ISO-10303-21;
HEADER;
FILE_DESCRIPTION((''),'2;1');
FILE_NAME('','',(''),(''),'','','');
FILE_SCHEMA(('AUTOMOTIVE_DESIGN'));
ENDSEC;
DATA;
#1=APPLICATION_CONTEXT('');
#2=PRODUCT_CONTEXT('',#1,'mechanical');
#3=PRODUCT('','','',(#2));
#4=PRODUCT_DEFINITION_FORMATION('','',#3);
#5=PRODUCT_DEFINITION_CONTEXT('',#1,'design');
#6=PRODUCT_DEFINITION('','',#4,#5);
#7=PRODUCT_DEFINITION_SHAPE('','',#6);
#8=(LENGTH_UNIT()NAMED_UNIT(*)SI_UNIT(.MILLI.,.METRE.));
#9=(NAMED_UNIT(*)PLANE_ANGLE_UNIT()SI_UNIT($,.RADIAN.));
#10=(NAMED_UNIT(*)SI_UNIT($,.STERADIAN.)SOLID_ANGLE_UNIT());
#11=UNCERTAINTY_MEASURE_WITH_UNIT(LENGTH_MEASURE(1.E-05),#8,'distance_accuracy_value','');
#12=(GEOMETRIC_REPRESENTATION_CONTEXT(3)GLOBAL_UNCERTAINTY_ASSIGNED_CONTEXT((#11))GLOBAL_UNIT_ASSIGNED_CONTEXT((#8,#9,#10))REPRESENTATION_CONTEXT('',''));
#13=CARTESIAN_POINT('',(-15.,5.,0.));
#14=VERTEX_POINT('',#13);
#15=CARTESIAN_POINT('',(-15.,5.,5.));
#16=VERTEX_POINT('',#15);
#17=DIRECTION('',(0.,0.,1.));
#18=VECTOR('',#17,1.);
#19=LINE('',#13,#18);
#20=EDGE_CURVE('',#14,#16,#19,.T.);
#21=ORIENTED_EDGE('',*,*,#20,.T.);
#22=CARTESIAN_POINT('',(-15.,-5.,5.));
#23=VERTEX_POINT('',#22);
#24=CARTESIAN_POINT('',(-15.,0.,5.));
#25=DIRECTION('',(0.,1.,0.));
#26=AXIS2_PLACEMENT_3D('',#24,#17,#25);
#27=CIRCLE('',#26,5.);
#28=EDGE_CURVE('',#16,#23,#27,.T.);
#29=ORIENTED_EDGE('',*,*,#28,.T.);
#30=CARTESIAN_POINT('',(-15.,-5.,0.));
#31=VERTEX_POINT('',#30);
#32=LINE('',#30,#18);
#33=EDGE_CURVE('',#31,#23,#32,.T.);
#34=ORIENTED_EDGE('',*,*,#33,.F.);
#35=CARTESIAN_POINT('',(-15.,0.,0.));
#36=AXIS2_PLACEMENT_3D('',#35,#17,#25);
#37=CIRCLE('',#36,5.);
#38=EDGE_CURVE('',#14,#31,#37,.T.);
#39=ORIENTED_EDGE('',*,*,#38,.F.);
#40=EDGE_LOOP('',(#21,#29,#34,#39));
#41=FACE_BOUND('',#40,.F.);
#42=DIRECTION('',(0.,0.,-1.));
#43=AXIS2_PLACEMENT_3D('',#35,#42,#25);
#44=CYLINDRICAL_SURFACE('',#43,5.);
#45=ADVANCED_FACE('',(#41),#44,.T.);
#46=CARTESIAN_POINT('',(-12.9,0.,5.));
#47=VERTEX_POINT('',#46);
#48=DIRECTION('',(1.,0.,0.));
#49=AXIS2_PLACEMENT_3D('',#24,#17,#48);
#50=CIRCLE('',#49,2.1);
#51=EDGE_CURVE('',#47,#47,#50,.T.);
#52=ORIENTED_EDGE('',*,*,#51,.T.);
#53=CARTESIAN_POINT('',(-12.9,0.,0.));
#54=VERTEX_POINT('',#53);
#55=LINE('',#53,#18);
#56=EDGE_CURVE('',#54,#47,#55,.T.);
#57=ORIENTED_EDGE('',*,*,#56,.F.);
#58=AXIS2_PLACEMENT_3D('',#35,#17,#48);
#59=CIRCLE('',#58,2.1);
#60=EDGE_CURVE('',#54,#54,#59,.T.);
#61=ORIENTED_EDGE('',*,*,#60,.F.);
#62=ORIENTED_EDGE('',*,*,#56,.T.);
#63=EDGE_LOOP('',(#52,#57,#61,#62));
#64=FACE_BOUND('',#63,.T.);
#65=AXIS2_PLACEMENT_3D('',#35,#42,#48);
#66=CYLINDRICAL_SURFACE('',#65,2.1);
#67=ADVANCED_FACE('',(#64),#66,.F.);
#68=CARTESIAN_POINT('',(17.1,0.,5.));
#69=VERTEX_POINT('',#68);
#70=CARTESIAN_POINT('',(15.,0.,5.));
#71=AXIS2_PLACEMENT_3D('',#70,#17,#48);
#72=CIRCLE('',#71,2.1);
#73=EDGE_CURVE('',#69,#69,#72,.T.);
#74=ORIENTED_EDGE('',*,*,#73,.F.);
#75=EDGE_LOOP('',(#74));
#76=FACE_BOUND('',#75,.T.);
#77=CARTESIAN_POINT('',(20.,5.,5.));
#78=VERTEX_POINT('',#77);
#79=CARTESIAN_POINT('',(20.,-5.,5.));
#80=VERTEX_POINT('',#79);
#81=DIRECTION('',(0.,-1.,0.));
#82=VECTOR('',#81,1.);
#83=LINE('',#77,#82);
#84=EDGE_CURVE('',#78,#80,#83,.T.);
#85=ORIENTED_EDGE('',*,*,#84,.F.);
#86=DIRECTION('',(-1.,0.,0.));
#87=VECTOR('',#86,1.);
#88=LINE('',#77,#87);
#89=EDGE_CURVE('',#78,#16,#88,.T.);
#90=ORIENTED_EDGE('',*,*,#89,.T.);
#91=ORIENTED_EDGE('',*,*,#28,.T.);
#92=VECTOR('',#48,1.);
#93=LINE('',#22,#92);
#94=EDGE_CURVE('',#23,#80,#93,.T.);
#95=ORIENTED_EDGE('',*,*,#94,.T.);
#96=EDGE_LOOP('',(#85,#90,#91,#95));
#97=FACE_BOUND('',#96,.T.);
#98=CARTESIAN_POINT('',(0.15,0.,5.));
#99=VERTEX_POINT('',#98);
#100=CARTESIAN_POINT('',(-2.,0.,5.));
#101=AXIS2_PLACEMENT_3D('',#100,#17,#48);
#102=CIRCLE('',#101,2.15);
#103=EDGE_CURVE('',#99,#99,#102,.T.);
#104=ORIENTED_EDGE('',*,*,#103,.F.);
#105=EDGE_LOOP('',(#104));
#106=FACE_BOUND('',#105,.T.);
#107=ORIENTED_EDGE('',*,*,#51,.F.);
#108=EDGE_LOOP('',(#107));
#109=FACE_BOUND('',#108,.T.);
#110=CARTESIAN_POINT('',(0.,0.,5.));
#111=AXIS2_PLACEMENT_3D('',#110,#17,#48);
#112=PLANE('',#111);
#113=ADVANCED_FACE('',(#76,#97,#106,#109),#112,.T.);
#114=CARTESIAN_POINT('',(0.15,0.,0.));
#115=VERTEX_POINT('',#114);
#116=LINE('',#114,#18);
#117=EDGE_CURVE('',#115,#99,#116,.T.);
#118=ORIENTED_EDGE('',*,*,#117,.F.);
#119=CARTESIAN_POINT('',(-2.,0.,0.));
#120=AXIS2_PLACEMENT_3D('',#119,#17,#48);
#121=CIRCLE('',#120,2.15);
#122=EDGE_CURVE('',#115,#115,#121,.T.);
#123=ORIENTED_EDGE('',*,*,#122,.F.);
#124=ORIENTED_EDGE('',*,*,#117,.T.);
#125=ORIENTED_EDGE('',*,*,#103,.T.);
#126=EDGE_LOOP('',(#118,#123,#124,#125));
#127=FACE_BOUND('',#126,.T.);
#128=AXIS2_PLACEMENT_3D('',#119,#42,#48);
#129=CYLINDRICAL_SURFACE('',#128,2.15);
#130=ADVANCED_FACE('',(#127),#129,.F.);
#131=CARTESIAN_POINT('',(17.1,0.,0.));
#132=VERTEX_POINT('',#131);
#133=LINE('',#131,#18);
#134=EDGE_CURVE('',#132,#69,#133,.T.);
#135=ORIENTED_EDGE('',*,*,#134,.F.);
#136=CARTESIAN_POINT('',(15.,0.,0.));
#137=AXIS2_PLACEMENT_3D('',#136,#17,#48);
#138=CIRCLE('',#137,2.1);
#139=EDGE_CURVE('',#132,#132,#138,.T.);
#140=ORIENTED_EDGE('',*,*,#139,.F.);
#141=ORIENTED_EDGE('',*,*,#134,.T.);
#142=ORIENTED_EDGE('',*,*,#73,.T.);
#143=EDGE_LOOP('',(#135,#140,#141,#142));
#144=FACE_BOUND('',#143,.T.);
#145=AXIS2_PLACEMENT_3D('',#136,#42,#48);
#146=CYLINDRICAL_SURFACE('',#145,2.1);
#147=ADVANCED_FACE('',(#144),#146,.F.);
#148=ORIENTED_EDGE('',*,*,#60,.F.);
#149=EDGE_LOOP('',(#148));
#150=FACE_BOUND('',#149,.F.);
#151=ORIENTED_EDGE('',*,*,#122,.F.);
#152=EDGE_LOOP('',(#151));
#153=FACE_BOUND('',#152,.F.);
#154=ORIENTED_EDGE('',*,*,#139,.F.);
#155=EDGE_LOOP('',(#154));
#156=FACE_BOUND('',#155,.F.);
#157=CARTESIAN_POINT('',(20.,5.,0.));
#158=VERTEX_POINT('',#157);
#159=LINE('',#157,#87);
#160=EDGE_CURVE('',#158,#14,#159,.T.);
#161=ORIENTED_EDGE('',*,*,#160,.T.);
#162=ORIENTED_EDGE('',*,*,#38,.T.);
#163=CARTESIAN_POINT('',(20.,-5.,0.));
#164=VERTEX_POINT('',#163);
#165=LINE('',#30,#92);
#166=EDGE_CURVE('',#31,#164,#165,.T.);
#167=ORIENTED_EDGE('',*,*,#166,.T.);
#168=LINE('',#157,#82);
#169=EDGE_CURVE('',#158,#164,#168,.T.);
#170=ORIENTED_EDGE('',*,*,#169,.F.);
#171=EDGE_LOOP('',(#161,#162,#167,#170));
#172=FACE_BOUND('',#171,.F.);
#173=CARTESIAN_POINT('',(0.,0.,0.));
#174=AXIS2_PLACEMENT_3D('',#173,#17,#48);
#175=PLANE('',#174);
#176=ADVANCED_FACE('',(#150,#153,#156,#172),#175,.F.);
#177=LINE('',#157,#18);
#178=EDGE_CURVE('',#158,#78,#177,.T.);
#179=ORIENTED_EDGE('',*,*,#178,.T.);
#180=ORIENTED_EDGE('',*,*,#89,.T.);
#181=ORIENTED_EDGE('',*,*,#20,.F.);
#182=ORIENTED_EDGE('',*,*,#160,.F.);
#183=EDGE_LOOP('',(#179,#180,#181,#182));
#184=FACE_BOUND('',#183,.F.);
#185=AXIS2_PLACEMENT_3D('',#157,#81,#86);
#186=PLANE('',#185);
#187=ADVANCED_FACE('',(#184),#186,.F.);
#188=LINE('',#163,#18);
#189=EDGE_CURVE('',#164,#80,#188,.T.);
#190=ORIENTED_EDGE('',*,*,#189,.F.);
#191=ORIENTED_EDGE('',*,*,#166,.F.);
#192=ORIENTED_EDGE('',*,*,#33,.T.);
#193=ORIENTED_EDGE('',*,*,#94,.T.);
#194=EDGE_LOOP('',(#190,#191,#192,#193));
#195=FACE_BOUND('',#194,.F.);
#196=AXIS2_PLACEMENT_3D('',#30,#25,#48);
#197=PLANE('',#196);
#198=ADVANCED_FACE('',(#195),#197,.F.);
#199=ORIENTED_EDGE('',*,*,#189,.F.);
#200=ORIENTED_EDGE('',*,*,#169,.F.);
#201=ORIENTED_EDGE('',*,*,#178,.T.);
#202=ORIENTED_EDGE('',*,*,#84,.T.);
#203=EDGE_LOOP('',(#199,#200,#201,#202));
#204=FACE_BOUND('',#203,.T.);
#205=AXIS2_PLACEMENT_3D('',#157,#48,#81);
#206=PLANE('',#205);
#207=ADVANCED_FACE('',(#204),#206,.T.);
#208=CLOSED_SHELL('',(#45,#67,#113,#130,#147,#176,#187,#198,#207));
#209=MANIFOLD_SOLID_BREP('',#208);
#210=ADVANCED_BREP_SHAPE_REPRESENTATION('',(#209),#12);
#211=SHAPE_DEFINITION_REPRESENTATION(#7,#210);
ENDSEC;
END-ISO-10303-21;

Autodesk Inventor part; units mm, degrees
ref_plane "YZ Plane" through (0, 0, 0) normal (1, 0, 0) x (0, 1, 0)
ref_plane "XZ Plane" through (0, 0, 0) normal (0, 1, 0) x (-1, 0, 0)
ref_plane "XY Plane" through (0, 0, 0) normal (0, 0, 1) x (1, 0, 0)
sketch "Sketch1" plane through (0, 0, 0) normal (0, 0, 1) x (1, 0, 0)
  line L0 (-15, 0) -> (15, 0) construction
  line L1 (-15, -5) -> (20, -5)
  line L2 (20, 5) -> (-15, 5)
  arc A0 (-15, 5) -> (-15, -5) centre (-15, 0) ccw
  arc A1 (15, -5) -> (15, 5) centre (15, 0) ccw construction
  circle A2 centre (-15, 0) radius 2.1
  circle A3 centre (15, 0) radius 2.1
  circle A4 centre (-2, 0) radius 2.15
  line L3 (20, 5) -> (20, -5)
  point P0 (0, 0)
  point P1 (0, 0)
  dimension "d0" = 5
  dimension "d1" = 4.2
  dimension "d2" = 4.2
  dimension "d3" = 30
  dimension "d6" = 4.3
  dimension "d7" = 17
extrude "Extrusion1" add sketch "Sketch1" along normal blind 5
properties part number "gate-pivot"
